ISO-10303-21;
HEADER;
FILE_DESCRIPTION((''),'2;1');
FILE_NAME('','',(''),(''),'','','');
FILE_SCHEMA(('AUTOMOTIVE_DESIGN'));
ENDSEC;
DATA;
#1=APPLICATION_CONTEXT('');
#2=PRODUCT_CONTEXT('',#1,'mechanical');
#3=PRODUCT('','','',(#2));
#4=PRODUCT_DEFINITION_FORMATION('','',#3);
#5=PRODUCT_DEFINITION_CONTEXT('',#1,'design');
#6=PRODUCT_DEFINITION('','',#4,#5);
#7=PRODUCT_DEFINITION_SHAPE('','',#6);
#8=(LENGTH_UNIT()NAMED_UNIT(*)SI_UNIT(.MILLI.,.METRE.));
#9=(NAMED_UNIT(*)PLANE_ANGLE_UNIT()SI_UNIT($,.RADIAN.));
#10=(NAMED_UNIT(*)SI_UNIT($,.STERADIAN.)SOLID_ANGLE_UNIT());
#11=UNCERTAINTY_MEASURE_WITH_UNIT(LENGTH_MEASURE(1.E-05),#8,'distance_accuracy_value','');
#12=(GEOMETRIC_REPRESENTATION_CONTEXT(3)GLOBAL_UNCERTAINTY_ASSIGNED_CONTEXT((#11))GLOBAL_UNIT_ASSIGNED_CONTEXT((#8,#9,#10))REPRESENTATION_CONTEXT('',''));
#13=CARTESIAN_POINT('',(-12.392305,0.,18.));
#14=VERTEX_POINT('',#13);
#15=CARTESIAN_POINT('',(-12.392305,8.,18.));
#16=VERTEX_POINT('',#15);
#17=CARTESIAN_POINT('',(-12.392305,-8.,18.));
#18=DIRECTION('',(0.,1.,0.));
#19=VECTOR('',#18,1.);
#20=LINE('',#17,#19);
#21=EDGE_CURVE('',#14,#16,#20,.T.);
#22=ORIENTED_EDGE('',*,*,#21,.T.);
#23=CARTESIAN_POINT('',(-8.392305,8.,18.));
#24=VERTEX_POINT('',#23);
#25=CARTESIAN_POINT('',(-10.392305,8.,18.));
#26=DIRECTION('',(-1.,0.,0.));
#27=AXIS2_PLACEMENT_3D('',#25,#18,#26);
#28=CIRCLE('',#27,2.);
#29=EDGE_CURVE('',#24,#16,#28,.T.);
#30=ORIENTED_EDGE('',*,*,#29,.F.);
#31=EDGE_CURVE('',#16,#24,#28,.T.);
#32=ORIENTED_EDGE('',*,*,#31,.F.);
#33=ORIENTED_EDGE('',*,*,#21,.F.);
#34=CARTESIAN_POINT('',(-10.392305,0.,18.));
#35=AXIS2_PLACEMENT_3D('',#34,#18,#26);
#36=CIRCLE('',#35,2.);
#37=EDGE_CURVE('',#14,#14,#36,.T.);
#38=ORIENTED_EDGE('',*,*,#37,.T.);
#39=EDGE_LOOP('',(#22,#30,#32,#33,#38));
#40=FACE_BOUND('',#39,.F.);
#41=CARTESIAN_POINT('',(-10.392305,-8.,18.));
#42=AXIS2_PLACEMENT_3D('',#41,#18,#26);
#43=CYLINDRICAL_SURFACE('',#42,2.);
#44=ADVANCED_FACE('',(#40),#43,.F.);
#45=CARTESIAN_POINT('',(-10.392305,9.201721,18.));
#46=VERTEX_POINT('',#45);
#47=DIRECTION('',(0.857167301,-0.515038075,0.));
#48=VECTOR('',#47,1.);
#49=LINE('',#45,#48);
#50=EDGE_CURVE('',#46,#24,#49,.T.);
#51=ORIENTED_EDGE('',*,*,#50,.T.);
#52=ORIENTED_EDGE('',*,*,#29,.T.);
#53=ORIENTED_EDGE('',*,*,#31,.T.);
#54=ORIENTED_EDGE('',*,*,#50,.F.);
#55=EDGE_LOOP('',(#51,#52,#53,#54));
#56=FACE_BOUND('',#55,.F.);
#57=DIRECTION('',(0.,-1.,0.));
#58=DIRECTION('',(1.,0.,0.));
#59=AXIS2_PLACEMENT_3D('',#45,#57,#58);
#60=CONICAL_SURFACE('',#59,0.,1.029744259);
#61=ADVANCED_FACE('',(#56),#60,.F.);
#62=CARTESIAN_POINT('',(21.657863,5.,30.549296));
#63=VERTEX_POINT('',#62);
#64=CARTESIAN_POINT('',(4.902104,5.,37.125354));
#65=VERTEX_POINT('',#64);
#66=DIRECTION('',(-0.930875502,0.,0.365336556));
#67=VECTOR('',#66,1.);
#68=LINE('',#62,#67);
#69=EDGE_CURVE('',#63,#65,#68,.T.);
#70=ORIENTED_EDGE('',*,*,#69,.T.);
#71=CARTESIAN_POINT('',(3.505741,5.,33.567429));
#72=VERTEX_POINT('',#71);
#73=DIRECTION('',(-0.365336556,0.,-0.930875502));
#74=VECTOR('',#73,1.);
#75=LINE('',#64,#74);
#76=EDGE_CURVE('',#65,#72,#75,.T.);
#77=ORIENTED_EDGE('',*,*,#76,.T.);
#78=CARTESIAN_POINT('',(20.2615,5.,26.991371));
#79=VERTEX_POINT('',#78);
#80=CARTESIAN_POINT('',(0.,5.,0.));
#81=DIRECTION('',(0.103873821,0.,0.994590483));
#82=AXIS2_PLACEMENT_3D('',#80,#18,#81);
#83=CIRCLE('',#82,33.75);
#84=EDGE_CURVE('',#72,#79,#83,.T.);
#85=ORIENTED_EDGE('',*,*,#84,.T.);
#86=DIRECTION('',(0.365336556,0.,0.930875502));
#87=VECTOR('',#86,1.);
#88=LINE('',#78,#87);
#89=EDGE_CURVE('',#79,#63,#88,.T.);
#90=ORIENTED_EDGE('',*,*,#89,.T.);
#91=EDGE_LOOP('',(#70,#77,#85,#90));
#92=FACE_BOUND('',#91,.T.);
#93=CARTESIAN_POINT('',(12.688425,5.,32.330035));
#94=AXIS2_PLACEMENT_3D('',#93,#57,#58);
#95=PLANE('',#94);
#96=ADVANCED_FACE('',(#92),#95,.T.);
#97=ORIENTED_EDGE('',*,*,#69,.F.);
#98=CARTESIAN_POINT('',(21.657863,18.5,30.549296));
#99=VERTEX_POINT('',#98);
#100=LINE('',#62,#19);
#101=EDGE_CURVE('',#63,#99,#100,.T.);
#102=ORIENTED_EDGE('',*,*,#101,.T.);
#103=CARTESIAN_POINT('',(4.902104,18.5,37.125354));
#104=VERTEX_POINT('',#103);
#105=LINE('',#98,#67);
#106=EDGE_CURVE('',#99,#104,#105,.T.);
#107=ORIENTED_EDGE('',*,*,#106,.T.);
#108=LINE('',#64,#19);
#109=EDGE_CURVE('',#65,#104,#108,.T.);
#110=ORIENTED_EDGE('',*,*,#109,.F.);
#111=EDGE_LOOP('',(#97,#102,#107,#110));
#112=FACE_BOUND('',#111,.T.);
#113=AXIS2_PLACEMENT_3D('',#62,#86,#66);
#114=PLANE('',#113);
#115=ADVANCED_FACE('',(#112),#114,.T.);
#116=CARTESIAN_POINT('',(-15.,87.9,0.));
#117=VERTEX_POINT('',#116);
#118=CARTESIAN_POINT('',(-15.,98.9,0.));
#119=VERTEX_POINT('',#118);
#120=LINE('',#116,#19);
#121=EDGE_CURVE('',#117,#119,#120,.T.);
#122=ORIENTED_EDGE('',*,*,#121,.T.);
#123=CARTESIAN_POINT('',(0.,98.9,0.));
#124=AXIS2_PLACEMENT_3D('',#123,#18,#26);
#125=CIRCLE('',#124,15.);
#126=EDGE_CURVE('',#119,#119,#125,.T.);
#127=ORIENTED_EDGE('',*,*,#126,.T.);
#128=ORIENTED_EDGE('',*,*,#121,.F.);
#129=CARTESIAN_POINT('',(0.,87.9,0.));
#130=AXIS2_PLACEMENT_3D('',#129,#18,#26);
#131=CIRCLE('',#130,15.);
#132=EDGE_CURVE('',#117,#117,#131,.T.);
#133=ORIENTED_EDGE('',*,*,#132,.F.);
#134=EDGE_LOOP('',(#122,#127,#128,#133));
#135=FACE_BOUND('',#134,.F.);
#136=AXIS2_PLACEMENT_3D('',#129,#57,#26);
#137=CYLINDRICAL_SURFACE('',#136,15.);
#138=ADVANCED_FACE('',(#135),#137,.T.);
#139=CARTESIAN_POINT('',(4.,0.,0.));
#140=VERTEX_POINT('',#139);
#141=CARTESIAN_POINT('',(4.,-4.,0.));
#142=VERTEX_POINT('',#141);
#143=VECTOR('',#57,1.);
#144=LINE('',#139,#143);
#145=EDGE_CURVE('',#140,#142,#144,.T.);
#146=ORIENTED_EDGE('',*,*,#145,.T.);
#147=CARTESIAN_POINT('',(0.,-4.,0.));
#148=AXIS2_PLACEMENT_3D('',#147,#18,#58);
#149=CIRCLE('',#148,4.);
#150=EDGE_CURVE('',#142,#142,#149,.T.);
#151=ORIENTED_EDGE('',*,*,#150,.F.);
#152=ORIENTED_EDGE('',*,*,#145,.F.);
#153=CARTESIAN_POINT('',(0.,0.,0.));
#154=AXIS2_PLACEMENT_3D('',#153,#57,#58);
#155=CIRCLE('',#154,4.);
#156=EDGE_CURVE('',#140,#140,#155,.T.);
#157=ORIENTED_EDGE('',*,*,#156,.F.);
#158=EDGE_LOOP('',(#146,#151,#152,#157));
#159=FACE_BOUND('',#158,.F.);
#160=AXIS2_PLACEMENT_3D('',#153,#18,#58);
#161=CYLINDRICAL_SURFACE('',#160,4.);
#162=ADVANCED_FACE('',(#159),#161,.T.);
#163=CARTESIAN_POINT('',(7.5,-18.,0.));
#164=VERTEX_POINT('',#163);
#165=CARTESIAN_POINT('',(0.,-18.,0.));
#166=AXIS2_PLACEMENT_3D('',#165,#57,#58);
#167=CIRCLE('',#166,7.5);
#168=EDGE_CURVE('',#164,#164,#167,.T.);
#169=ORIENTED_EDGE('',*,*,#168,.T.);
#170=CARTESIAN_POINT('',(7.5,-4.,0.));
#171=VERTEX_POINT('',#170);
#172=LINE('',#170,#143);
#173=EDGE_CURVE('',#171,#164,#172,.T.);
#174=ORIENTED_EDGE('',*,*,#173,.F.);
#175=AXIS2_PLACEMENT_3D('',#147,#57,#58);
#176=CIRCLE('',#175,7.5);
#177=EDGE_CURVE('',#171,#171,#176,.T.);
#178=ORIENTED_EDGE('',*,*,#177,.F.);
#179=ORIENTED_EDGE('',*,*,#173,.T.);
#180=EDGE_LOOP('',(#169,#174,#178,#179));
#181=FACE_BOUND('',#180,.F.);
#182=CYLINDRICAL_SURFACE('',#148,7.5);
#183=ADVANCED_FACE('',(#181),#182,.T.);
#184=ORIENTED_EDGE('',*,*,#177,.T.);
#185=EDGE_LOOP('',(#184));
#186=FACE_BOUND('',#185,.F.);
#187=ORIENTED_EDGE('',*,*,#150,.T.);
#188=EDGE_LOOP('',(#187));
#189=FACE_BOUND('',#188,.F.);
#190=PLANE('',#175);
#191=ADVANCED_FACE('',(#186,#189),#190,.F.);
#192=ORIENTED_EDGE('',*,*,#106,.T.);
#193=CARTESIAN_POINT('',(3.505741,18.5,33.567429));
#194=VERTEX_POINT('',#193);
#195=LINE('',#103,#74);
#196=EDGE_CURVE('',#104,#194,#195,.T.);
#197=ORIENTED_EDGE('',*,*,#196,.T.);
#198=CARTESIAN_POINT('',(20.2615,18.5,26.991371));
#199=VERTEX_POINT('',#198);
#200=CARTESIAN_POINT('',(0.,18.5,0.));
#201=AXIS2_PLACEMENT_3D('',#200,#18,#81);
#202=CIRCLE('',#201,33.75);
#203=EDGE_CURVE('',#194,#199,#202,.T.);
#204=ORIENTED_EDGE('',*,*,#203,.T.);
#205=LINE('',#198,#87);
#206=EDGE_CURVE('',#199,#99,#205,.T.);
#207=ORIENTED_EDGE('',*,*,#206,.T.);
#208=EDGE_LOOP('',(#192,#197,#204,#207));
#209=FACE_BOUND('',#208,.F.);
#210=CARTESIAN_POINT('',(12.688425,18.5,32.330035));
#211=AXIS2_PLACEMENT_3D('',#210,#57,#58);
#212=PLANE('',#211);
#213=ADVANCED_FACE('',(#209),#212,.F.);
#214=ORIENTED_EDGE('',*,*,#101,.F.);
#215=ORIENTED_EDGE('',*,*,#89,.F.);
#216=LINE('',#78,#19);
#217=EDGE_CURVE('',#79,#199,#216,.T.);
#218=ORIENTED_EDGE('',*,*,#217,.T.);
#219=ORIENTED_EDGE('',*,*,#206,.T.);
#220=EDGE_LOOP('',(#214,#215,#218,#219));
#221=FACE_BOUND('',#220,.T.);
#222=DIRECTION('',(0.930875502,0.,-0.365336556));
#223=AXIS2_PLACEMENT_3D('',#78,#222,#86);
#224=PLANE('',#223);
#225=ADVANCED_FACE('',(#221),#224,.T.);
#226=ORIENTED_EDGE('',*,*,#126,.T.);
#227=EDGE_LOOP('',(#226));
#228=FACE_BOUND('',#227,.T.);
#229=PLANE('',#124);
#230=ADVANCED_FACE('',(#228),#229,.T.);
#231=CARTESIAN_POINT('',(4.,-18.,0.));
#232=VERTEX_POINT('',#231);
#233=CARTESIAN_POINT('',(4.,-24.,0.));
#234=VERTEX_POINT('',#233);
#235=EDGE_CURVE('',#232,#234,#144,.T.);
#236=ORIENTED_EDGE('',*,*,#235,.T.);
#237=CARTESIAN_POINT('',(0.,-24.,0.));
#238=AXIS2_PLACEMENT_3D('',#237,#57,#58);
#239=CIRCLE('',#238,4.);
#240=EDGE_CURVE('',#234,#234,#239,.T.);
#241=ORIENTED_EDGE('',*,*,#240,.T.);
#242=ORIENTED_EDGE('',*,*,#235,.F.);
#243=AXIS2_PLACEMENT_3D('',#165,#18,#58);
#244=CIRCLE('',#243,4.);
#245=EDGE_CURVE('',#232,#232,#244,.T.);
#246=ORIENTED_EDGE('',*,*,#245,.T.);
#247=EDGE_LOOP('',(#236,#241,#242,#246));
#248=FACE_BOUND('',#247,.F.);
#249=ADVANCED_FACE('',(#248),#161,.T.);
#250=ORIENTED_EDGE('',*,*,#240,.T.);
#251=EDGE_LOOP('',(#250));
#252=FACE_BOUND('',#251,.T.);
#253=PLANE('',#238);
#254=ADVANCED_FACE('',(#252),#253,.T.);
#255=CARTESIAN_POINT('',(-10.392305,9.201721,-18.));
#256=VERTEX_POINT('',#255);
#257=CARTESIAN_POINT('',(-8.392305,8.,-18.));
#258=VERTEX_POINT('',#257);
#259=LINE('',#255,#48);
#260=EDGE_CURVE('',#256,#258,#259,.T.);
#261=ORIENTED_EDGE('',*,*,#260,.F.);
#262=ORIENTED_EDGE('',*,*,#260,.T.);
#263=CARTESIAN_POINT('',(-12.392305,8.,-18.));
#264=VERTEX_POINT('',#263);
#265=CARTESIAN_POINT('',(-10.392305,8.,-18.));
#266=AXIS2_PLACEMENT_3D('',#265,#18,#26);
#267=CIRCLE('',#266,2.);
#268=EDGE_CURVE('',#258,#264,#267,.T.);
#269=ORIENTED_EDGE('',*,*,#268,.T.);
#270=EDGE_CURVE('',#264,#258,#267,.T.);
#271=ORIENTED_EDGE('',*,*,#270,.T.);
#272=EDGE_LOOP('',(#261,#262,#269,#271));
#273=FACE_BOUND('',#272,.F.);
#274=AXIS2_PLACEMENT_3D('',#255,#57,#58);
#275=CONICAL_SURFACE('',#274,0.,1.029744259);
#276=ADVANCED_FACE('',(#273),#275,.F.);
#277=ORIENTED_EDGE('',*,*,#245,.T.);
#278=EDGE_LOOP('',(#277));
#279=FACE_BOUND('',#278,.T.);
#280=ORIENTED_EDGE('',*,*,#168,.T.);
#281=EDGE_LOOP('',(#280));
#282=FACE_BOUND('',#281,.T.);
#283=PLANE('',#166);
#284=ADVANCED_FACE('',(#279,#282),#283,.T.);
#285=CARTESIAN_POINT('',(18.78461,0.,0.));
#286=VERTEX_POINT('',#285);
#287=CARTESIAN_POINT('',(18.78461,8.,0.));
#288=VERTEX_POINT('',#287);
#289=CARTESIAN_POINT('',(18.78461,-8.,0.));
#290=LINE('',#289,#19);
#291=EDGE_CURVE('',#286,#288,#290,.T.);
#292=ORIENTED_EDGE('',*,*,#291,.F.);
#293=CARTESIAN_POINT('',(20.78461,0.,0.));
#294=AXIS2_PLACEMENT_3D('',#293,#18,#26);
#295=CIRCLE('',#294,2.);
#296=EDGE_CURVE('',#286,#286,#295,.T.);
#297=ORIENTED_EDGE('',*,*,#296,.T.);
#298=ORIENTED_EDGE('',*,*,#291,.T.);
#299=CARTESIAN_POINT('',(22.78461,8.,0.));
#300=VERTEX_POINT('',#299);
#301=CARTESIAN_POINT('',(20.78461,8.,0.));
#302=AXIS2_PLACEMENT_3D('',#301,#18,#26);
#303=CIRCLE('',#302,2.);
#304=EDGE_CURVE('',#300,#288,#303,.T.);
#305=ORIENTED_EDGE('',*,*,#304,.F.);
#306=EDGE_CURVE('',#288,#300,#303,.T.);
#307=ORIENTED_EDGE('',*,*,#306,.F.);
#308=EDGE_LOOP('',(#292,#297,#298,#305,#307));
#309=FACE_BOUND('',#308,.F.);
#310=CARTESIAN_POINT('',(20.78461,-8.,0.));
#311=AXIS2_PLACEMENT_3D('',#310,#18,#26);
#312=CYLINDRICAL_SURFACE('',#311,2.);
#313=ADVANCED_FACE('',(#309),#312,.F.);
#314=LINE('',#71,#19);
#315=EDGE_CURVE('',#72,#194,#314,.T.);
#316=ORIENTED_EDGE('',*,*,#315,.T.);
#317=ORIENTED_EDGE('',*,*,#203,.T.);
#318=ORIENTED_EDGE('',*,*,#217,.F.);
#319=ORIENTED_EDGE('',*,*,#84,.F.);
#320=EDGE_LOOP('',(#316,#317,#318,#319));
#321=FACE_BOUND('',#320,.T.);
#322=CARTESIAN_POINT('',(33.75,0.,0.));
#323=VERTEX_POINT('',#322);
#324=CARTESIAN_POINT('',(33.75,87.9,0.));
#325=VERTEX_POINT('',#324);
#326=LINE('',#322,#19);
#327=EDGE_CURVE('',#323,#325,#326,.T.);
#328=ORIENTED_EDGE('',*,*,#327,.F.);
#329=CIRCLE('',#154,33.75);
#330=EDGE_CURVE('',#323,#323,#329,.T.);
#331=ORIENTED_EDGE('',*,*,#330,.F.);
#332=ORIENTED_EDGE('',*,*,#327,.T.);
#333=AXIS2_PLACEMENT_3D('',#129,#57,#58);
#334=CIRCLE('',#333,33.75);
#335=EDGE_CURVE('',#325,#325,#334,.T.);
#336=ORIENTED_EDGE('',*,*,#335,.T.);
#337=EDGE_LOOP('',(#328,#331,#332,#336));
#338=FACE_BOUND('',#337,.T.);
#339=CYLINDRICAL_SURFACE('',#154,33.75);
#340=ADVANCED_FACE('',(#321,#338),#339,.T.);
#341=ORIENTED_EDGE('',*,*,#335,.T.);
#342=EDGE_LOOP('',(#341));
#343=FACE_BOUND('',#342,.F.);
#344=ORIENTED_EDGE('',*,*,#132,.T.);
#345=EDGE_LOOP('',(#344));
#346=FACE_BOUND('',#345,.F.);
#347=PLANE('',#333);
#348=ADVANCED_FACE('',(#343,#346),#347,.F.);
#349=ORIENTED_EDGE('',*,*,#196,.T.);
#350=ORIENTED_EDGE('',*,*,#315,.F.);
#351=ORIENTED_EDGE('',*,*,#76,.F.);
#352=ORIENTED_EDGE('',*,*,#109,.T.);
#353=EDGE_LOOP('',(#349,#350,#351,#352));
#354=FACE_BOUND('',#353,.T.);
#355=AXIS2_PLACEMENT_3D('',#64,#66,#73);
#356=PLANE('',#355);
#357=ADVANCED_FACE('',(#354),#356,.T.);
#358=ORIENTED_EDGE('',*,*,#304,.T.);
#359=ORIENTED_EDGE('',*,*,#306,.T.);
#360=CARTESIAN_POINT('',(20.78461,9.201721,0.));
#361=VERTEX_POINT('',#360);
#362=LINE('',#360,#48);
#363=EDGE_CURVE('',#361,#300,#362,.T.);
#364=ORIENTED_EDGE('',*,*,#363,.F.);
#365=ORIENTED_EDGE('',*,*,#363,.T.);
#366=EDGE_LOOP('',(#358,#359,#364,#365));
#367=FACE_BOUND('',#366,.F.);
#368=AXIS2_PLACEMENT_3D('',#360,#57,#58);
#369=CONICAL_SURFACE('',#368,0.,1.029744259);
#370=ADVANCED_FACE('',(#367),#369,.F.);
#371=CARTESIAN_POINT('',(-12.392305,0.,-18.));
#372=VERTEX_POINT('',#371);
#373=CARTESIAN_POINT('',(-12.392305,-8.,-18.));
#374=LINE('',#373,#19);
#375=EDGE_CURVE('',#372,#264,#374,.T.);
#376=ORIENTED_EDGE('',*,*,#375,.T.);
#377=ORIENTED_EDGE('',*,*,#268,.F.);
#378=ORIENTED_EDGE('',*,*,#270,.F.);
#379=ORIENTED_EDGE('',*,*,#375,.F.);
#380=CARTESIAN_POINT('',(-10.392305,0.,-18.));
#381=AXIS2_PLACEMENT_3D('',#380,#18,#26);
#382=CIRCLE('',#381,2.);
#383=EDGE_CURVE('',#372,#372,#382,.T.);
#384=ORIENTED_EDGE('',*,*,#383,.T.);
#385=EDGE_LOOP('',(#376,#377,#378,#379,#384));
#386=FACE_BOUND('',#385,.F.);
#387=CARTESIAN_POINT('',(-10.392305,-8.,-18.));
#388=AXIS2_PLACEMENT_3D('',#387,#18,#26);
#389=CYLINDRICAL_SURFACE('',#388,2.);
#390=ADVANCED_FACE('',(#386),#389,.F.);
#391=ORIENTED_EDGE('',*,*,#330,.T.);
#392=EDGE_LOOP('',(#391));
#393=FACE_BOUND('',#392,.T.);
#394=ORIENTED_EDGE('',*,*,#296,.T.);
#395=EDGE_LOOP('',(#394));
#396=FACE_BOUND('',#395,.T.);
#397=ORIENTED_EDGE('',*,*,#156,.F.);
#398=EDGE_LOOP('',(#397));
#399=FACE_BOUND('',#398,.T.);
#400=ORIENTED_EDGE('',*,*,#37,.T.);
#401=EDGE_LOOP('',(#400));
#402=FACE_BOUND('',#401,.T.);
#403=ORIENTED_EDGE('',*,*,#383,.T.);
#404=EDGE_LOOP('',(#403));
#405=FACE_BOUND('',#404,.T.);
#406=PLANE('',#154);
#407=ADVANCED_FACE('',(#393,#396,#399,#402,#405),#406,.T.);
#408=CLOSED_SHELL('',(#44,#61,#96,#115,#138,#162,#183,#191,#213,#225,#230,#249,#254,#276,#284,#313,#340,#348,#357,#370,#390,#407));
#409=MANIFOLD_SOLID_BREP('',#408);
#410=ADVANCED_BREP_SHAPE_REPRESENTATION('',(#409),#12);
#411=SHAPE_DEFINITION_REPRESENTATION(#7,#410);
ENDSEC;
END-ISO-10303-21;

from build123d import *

# Parameters (mm, degrees)
F0_R      = 33.75
F1_DEPTH  = 87.9
F2_R      = 15
F3_DEPTH  = 11
F4_R      = 4
F5_DEPTH  = 24
F6_D      = 4
F6_DEPTH  = 8
F6_TIP    = 1.2017212381
F8_R      = 7.5
F9_DEPTH  = 14
F12_DEPTH = 13.5


with BuildPart() as f1:
    # F0 (on Front) → F1 (new body)
    with BuildSketch(Plane.XZ):
        Circle(F0_R)
    extrude(amount=-F1_DEPTH)

    # F2 (on face) → F3 (join)
    with BuildSketch(Plane(origin=(0, 87.9, 0), x_dir=(-1, 0, 0), z_dir=(0, 1, 0))):
        Circle(F2_R)
    extrude(amount=F3_DEPTH)

    # F4 (on face) → F5 (join)
    with BuildSketch(Plane.XZ):
        Circle(F4_R)
    extrude(amount=F5_DEPTH)

    # F6
    with Locations(Plane.XZ):
        with Locations((20.7846096908, 0), (-10.3923048454, 18), (-10.3923048454, -18)):
            Hole(F6_D / 2, depth=F6_DEPTH)
            with Locations((0, 0, -(F6_DEPTH + F6_TIP / 2))):  # 118° drill point
                Cone(0, F6_D / 2, F6_TIP, mode=Mode.SUBTRACT)

    # F8 (on offset) → F9 (join)
    with BuildSketch(Plane.XZ.offset(4)):
        Circle(F8_R)
    extrude(amount=F9_DEPTH)

    # F11 (on offset) → F12 (join)
    with BuildSketch(Plane.XZ.offset(-5)):
        with BuildLine():
            Line((20.2615004909, 26.9913708036), (21.6578633283, 30.5492955083))
            Line((21.6578633283, 30.5492955083), (4.9021042855, 37.1253535145))
            Line((4.9021042855, 37.1253535145), (3.5057414481, 33.5674288098))
            ThreePointArc((3.5057414481, 33.5674288098), (12.3301087616, 31.4170482052), (20.2615004909, 26.9913708036))
        make_face()
    extrude(amount=-F12_DEPTH)


solid = f1.part
